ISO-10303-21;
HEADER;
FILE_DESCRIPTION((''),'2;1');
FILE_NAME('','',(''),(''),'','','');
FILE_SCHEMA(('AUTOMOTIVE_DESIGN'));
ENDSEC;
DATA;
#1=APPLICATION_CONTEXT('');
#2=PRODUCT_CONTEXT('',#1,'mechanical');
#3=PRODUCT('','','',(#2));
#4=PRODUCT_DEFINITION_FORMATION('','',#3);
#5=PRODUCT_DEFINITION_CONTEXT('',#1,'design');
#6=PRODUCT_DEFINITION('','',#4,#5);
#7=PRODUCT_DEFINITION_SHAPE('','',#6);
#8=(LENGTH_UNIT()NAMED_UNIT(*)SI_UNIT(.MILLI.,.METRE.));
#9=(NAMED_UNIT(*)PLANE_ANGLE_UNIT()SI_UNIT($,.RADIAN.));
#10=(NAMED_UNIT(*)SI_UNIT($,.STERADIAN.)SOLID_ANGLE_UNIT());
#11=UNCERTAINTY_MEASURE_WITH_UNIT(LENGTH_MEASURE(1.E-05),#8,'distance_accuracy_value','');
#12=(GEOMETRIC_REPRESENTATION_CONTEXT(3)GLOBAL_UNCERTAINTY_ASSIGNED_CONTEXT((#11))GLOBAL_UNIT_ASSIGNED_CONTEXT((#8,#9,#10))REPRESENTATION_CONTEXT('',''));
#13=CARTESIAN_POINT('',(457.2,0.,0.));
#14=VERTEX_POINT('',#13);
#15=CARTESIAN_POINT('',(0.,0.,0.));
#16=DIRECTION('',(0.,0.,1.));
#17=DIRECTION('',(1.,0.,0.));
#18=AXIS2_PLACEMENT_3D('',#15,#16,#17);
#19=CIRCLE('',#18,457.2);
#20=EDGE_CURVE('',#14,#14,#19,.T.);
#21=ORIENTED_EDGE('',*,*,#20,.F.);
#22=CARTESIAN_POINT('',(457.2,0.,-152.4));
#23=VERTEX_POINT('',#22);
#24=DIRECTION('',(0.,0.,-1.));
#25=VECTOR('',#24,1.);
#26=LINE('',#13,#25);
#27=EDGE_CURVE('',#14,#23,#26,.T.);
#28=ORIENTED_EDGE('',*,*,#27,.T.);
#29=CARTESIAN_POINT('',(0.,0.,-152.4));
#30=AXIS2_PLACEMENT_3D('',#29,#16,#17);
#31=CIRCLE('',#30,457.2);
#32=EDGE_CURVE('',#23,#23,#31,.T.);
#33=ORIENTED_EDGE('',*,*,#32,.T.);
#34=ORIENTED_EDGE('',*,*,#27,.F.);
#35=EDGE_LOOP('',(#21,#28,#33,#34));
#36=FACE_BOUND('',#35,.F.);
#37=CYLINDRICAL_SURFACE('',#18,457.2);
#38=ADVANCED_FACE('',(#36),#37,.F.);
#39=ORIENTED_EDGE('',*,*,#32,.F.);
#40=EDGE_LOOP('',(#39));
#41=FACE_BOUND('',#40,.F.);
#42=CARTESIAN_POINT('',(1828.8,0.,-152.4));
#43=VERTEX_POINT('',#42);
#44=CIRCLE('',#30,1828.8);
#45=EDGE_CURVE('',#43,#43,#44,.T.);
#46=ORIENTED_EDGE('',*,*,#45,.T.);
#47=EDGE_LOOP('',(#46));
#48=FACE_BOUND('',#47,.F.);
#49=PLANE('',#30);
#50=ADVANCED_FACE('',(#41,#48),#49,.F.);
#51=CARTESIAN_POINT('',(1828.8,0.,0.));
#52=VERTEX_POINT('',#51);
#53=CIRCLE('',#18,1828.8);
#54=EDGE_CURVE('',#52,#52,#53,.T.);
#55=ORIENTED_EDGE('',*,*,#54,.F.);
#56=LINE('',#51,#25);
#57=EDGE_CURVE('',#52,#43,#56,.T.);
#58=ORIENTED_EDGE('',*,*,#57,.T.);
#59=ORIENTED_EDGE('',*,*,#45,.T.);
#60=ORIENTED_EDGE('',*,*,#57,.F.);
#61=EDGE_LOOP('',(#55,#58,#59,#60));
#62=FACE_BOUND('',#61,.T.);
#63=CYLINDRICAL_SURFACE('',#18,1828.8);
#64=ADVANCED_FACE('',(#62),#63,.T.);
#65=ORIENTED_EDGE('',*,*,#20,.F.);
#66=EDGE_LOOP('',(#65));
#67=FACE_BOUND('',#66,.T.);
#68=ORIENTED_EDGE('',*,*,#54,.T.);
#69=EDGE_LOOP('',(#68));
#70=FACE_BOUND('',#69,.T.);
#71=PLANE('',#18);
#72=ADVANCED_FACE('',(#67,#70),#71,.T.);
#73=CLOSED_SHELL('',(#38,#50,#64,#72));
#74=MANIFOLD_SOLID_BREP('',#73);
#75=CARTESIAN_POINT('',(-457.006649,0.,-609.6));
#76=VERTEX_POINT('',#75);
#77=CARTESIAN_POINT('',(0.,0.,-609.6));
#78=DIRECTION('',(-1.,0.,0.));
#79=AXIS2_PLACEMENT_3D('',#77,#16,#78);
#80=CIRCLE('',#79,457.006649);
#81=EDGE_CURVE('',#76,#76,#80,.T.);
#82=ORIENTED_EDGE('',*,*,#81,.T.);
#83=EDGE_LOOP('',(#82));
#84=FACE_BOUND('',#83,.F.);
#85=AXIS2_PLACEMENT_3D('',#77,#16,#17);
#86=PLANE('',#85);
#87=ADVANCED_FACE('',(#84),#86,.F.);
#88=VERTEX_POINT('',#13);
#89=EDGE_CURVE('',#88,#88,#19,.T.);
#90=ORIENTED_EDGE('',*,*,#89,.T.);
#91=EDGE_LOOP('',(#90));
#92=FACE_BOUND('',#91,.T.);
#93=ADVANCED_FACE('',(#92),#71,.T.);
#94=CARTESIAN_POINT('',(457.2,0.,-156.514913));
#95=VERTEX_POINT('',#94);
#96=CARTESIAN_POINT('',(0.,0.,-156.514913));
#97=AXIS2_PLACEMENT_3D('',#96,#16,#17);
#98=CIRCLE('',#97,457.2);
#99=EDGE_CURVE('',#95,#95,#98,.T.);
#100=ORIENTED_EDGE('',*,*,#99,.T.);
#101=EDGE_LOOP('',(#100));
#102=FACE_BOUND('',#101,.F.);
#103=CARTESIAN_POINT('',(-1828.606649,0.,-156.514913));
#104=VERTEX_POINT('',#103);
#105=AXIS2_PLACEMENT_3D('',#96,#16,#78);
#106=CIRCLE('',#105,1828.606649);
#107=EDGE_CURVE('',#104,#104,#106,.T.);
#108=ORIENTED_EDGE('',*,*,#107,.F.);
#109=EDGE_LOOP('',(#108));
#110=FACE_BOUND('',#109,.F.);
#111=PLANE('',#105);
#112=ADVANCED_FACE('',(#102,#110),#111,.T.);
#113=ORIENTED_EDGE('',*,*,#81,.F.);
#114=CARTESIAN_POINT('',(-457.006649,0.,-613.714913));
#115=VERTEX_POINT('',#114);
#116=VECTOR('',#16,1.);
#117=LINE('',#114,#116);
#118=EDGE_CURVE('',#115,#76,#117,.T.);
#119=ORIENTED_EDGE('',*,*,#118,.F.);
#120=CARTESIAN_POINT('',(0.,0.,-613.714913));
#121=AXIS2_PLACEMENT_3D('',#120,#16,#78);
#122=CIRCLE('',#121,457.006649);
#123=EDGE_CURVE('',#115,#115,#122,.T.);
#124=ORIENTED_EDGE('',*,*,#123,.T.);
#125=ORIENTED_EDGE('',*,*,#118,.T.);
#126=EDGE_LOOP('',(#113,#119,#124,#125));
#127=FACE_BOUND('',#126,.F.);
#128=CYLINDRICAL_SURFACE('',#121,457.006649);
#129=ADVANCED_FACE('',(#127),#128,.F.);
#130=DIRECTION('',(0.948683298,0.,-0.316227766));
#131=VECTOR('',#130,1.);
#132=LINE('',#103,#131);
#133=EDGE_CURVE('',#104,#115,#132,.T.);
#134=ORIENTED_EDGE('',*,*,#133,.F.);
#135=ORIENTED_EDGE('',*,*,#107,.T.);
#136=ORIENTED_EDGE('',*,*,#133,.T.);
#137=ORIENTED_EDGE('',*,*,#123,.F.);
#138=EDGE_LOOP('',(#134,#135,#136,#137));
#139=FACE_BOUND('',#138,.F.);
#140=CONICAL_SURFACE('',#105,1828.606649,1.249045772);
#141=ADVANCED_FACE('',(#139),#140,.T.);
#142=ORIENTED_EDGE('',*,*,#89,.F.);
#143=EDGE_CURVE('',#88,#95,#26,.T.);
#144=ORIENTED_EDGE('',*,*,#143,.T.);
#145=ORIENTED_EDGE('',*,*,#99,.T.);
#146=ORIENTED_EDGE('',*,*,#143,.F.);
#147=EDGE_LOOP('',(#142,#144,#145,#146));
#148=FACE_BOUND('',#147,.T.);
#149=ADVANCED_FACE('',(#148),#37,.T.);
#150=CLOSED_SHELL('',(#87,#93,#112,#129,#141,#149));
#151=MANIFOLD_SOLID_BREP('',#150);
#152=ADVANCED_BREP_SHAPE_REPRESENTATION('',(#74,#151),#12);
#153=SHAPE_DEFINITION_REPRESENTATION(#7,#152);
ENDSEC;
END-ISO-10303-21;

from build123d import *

# Parameters (mm, degrees)
F1_R     = 457.2
F2_DEPTH = 609.6
F0_R     = 1828.8
F0_R_2   = 457.2
F3_DEPTH = 152.4


with BuildPart() as f2:
    # F1 (on Top) → F2 (new body)
    with BuildSketch(Plane.XY):
        Circle(F1_R)
    extrude(amount=-F2_DEPTH)

    # F4 (on Front) → F5 (revolve)
    with BuildSketch(Plane.XZ):
        Polygon((-457.006649, -156.514913), (-1828.606649, -156.514913), (-457.006649, -613.714913), align=None)
    revolve(axis=Axis((0, 0, -609.6), (0, 0, 1)))


with BuildPart() as f3:
    # F0 (on Top) → F3 (new body)
    with BuildSketch(Plane.XY):
        Circle(F0_R)
        Circle(F0_R_2, mode=Mode.SUBTRACT)
    extrude(amount=-F3_DEPTH)


solid = Compound([f2.part, f3.part])
